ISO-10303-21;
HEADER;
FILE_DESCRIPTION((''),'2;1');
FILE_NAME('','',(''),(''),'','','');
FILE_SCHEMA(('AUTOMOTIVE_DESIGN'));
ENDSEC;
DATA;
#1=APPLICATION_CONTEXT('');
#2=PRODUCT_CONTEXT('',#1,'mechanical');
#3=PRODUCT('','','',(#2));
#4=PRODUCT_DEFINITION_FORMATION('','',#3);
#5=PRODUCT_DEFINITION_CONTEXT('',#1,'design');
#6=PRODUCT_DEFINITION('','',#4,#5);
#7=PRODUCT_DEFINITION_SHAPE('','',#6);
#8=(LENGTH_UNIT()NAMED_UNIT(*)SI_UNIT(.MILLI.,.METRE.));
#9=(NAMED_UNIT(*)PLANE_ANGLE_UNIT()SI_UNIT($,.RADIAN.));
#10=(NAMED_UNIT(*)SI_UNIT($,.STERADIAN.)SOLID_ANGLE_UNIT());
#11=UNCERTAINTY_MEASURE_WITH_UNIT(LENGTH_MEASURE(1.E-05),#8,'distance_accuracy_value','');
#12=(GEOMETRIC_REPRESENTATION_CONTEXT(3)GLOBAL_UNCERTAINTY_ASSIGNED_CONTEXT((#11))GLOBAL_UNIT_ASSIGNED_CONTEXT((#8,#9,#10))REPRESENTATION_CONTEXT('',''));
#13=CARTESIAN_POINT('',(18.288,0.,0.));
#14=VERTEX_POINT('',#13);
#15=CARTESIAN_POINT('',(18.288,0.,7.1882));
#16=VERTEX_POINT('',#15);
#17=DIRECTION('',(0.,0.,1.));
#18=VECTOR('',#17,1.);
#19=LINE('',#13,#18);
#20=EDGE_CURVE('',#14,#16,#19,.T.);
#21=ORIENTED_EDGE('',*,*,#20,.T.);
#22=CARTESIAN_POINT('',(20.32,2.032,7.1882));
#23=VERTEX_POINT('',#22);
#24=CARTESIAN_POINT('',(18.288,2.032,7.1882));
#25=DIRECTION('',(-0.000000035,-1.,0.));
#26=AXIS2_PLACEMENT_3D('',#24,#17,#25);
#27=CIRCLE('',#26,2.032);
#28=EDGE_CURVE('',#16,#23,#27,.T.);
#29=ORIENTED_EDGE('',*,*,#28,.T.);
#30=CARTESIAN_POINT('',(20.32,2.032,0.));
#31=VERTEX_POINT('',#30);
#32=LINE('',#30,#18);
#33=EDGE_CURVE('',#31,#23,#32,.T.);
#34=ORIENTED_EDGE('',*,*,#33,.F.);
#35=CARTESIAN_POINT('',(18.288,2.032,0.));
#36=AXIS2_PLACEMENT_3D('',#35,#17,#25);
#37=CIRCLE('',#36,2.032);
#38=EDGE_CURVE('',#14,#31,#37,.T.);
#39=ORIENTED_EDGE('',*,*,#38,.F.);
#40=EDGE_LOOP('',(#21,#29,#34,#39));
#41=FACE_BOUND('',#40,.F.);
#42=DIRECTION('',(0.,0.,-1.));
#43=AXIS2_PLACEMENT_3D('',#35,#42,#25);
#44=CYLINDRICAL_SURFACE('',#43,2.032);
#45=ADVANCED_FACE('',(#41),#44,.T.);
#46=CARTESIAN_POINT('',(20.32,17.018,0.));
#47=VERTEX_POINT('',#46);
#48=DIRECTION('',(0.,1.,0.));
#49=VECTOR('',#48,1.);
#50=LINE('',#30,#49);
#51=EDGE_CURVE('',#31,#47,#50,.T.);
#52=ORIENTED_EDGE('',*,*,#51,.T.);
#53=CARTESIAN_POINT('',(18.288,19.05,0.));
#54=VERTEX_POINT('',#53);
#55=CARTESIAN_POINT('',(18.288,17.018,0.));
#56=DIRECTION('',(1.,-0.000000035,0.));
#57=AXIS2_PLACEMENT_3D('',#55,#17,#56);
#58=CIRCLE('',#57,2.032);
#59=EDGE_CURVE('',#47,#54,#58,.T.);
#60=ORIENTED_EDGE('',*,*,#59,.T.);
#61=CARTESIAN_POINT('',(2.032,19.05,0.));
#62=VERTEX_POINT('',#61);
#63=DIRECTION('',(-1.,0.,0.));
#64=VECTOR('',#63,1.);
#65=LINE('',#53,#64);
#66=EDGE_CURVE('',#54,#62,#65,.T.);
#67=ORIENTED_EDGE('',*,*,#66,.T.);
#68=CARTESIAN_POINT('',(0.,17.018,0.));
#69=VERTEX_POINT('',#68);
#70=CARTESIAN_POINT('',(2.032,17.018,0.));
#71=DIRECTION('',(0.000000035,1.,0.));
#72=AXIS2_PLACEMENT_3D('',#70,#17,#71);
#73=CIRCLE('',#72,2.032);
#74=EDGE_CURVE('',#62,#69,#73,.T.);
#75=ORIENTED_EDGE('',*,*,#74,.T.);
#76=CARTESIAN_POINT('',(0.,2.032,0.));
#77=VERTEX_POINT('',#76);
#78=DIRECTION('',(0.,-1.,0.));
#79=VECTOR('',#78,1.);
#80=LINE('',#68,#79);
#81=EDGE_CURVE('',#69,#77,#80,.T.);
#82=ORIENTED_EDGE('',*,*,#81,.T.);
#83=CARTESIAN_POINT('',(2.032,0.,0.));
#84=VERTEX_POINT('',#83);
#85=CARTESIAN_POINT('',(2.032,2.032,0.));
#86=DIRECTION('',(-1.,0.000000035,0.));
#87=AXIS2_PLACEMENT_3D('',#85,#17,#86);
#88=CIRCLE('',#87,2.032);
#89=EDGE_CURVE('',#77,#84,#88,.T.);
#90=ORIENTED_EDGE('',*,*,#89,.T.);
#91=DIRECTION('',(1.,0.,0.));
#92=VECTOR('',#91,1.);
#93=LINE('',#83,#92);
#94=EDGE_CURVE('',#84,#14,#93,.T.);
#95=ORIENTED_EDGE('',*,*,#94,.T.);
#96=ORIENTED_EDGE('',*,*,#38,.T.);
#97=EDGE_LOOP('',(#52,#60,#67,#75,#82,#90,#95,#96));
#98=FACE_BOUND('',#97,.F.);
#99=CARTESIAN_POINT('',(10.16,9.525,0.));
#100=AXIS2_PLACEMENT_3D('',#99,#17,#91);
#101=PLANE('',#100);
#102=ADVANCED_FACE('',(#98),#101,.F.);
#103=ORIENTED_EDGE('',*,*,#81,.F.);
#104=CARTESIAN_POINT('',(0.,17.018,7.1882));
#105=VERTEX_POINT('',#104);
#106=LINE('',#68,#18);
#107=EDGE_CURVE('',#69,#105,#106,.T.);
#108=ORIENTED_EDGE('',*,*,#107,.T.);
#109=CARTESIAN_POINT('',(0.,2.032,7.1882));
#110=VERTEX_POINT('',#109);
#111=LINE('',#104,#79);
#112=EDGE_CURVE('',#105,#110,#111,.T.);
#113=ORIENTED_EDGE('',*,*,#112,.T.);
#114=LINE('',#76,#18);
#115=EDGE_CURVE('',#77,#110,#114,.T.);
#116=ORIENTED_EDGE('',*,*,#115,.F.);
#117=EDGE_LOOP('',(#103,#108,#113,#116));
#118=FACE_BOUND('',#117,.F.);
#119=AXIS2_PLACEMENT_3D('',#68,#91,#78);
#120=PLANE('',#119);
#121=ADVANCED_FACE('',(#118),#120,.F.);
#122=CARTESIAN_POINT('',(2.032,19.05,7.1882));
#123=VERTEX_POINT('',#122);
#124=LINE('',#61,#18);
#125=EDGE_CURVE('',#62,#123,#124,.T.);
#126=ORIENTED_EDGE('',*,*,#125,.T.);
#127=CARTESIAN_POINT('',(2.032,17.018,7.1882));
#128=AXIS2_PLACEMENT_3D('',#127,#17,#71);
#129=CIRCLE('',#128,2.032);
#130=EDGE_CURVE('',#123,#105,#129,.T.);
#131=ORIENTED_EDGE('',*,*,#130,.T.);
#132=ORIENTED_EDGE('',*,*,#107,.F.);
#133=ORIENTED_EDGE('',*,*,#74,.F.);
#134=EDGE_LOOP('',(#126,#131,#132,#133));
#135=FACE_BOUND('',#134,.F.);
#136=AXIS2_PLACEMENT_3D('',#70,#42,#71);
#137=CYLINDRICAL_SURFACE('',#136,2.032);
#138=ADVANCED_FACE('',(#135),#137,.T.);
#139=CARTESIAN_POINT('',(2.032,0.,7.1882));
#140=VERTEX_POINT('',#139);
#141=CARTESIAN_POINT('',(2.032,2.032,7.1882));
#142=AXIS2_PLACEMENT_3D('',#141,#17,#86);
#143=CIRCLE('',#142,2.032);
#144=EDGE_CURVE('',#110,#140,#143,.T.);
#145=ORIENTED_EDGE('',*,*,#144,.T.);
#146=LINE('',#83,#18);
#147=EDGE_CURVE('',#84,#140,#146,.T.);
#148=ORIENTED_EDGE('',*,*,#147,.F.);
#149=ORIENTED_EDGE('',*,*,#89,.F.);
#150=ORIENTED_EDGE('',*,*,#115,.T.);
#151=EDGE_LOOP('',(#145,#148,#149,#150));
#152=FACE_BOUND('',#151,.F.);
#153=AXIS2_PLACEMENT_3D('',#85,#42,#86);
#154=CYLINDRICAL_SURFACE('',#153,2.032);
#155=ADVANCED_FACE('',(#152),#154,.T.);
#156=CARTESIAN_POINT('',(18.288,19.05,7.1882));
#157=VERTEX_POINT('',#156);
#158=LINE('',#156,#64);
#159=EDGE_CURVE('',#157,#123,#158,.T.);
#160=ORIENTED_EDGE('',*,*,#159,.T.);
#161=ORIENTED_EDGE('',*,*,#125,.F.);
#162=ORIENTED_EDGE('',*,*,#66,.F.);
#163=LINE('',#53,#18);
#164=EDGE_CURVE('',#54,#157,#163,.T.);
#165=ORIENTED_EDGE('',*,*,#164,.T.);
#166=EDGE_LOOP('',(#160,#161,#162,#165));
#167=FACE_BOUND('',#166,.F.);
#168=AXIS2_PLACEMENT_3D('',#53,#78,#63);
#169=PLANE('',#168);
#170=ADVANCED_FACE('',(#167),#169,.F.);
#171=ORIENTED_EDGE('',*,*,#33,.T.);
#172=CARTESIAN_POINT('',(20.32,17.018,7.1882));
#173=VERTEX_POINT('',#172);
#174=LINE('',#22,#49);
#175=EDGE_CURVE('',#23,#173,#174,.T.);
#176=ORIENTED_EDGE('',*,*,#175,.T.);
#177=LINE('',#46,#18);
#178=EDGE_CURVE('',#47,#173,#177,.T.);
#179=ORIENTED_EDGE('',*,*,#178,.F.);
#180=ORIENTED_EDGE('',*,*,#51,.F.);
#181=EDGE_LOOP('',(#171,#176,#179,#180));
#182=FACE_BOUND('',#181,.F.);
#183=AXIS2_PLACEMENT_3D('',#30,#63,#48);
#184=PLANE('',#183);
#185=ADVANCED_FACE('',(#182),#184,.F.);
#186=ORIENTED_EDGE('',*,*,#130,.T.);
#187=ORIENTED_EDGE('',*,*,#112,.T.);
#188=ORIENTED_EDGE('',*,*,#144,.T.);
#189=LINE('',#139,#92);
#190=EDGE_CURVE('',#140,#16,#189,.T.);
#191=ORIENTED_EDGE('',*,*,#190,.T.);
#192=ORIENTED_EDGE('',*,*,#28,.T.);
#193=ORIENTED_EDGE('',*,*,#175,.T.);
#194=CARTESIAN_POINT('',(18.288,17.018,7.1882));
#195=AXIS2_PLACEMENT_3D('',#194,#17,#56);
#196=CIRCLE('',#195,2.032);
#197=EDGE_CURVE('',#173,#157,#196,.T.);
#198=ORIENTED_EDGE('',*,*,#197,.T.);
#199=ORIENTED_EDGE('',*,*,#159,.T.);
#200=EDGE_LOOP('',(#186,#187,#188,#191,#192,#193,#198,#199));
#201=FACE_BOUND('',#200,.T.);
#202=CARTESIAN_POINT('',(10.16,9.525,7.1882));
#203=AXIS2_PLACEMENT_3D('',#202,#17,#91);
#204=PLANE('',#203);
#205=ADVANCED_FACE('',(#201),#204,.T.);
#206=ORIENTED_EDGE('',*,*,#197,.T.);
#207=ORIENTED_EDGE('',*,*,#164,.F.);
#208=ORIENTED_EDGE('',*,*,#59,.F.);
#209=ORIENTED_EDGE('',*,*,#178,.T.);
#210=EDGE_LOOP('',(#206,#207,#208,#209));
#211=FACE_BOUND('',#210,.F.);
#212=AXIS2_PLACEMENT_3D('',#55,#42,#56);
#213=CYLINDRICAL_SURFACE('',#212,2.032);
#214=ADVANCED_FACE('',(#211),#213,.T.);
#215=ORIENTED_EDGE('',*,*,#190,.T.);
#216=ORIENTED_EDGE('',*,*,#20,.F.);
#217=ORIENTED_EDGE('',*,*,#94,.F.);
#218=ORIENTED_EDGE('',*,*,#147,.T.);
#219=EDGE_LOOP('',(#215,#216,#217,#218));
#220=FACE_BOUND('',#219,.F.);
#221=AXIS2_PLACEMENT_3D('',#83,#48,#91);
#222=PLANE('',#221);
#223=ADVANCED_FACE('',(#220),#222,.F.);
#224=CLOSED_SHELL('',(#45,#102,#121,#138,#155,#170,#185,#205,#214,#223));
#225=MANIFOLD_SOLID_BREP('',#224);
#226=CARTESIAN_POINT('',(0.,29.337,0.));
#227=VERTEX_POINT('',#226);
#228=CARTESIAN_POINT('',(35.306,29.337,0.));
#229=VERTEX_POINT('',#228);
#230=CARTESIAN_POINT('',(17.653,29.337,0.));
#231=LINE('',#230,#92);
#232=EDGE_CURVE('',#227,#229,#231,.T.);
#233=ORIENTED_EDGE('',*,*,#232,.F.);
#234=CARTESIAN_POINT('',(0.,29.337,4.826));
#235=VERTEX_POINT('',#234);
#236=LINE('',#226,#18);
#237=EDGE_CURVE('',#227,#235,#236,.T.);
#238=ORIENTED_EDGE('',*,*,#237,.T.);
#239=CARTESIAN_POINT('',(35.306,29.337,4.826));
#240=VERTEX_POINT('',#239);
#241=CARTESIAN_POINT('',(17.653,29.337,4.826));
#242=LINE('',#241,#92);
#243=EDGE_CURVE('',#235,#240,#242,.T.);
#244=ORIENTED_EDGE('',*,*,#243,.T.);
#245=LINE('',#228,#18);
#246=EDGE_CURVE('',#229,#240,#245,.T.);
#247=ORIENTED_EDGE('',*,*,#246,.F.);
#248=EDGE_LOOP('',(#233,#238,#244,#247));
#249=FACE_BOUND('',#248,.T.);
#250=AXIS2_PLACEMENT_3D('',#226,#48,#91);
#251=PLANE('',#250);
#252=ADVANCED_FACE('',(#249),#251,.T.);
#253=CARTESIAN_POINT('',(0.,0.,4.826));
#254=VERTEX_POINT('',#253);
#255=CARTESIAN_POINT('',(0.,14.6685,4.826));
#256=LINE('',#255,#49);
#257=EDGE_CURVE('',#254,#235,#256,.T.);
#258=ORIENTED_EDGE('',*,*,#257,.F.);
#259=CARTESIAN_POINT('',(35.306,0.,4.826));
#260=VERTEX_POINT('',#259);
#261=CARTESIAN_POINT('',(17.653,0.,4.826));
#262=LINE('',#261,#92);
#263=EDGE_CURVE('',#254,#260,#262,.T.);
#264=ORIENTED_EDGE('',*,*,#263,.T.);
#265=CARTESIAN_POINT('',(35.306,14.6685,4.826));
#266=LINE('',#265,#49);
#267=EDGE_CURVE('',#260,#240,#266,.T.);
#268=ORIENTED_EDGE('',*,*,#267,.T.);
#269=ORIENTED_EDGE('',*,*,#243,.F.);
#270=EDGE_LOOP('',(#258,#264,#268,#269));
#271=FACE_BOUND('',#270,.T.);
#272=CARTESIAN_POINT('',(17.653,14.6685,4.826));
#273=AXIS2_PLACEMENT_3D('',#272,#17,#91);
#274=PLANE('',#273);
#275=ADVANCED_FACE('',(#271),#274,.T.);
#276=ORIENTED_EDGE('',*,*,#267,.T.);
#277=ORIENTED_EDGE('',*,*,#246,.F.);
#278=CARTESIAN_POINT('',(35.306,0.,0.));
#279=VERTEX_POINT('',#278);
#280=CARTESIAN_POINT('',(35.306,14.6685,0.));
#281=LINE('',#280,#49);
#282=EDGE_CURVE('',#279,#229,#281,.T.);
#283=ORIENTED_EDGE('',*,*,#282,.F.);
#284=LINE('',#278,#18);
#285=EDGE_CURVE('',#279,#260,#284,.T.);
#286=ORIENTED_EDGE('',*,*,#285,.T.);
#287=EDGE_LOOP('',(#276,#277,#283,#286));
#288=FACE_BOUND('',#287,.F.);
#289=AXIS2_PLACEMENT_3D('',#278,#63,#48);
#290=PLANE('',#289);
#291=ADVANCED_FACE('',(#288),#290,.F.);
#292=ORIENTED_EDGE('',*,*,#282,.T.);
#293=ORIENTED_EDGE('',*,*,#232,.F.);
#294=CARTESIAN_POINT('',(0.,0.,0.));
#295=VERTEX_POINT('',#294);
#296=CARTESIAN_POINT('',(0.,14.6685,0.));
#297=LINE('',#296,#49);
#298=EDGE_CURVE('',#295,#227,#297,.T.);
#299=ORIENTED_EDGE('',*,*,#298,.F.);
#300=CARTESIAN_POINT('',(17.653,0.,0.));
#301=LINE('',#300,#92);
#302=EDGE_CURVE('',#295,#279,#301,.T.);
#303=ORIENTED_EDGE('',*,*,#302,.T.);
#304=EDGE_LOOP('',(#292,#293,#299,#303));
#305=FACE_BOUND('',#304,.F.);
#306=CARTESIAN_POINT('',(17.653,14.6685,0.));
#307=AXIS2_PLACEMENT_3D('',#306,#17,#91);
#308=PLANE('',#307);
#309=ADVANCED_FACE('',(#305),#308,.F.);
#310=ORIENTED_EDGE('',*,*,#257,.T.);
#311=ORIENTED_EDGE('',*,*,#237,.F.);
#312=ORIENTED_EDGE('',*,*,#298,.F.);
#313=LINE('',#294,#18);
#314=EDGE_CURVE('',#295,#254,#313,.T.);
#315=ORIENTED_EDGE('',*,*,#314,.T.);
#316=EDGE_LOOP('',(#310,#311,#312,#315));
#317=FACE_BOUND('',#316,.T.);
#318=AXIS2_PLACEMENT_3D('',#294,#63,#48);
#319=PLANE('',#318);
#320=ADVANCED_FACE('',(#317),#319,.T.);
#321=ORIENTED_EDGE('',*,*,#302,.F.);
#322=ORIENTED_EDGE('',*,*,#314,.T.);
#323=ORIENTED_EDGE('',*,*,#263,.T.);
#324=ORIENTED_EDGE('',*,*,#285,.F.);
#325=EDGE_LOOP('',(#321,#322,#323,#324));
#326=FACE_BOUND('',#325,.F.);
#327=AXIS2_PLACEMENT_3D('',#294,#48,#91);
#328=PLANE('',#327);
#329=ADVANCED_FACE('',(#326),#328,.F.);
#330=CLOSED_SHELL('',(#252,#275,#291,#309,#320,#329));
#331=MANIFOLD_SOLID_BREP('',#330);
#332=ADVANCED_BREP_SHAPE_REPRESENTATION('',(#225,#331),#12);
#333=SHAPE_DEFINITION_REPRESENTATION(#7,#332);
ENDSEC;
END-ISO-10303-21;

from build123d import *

# Parameters (mm, degrees)
F0_W     = 35.306
F0_H     = 29.337
F1_DEPTH = 4.826
F3_DEPTH = 7.1882


with BuildPart() as f1:
    # F0 (on Top) → F1 (new body)
    with BuildSketch(Plane.XY):
        with Locations((17.653, 14.6685)):
            Rectangle(F0_W, F0_H)
    extrude(amount=F1_DEPTH)


with BuildPart() as f3:
    # F2 (on Top) → F3 (new body)
    with BuildSketch(Plane.XY):
        with BuildLine():
            ThreePointArc((0, 2.032), (0.595159, 0.595159), (2.032, 0))
            Line((2.032, 0), (18.288, 0))
            ThreePointArc((18.288, 0), (19.724841, 0.595159), (20.32, 2.032))
            Line((20.32, 2.032), (20.32, 17.018))
            ThreePointArc((20.32, 17.018), (19.724841, 18.454841), (18.288, 19.05))
            Line((18.288, 19.05), (2.032, 19.05))
            ThreePointArc((2.032, 19.05), (0.595159, 18.454841), (0, 17.018))
            Line((0, 17.018), (0, 2.032))
        make_face()
    extrude(amount=F3_DEPTH)


solid = Compound([f1.part, f3.part])
